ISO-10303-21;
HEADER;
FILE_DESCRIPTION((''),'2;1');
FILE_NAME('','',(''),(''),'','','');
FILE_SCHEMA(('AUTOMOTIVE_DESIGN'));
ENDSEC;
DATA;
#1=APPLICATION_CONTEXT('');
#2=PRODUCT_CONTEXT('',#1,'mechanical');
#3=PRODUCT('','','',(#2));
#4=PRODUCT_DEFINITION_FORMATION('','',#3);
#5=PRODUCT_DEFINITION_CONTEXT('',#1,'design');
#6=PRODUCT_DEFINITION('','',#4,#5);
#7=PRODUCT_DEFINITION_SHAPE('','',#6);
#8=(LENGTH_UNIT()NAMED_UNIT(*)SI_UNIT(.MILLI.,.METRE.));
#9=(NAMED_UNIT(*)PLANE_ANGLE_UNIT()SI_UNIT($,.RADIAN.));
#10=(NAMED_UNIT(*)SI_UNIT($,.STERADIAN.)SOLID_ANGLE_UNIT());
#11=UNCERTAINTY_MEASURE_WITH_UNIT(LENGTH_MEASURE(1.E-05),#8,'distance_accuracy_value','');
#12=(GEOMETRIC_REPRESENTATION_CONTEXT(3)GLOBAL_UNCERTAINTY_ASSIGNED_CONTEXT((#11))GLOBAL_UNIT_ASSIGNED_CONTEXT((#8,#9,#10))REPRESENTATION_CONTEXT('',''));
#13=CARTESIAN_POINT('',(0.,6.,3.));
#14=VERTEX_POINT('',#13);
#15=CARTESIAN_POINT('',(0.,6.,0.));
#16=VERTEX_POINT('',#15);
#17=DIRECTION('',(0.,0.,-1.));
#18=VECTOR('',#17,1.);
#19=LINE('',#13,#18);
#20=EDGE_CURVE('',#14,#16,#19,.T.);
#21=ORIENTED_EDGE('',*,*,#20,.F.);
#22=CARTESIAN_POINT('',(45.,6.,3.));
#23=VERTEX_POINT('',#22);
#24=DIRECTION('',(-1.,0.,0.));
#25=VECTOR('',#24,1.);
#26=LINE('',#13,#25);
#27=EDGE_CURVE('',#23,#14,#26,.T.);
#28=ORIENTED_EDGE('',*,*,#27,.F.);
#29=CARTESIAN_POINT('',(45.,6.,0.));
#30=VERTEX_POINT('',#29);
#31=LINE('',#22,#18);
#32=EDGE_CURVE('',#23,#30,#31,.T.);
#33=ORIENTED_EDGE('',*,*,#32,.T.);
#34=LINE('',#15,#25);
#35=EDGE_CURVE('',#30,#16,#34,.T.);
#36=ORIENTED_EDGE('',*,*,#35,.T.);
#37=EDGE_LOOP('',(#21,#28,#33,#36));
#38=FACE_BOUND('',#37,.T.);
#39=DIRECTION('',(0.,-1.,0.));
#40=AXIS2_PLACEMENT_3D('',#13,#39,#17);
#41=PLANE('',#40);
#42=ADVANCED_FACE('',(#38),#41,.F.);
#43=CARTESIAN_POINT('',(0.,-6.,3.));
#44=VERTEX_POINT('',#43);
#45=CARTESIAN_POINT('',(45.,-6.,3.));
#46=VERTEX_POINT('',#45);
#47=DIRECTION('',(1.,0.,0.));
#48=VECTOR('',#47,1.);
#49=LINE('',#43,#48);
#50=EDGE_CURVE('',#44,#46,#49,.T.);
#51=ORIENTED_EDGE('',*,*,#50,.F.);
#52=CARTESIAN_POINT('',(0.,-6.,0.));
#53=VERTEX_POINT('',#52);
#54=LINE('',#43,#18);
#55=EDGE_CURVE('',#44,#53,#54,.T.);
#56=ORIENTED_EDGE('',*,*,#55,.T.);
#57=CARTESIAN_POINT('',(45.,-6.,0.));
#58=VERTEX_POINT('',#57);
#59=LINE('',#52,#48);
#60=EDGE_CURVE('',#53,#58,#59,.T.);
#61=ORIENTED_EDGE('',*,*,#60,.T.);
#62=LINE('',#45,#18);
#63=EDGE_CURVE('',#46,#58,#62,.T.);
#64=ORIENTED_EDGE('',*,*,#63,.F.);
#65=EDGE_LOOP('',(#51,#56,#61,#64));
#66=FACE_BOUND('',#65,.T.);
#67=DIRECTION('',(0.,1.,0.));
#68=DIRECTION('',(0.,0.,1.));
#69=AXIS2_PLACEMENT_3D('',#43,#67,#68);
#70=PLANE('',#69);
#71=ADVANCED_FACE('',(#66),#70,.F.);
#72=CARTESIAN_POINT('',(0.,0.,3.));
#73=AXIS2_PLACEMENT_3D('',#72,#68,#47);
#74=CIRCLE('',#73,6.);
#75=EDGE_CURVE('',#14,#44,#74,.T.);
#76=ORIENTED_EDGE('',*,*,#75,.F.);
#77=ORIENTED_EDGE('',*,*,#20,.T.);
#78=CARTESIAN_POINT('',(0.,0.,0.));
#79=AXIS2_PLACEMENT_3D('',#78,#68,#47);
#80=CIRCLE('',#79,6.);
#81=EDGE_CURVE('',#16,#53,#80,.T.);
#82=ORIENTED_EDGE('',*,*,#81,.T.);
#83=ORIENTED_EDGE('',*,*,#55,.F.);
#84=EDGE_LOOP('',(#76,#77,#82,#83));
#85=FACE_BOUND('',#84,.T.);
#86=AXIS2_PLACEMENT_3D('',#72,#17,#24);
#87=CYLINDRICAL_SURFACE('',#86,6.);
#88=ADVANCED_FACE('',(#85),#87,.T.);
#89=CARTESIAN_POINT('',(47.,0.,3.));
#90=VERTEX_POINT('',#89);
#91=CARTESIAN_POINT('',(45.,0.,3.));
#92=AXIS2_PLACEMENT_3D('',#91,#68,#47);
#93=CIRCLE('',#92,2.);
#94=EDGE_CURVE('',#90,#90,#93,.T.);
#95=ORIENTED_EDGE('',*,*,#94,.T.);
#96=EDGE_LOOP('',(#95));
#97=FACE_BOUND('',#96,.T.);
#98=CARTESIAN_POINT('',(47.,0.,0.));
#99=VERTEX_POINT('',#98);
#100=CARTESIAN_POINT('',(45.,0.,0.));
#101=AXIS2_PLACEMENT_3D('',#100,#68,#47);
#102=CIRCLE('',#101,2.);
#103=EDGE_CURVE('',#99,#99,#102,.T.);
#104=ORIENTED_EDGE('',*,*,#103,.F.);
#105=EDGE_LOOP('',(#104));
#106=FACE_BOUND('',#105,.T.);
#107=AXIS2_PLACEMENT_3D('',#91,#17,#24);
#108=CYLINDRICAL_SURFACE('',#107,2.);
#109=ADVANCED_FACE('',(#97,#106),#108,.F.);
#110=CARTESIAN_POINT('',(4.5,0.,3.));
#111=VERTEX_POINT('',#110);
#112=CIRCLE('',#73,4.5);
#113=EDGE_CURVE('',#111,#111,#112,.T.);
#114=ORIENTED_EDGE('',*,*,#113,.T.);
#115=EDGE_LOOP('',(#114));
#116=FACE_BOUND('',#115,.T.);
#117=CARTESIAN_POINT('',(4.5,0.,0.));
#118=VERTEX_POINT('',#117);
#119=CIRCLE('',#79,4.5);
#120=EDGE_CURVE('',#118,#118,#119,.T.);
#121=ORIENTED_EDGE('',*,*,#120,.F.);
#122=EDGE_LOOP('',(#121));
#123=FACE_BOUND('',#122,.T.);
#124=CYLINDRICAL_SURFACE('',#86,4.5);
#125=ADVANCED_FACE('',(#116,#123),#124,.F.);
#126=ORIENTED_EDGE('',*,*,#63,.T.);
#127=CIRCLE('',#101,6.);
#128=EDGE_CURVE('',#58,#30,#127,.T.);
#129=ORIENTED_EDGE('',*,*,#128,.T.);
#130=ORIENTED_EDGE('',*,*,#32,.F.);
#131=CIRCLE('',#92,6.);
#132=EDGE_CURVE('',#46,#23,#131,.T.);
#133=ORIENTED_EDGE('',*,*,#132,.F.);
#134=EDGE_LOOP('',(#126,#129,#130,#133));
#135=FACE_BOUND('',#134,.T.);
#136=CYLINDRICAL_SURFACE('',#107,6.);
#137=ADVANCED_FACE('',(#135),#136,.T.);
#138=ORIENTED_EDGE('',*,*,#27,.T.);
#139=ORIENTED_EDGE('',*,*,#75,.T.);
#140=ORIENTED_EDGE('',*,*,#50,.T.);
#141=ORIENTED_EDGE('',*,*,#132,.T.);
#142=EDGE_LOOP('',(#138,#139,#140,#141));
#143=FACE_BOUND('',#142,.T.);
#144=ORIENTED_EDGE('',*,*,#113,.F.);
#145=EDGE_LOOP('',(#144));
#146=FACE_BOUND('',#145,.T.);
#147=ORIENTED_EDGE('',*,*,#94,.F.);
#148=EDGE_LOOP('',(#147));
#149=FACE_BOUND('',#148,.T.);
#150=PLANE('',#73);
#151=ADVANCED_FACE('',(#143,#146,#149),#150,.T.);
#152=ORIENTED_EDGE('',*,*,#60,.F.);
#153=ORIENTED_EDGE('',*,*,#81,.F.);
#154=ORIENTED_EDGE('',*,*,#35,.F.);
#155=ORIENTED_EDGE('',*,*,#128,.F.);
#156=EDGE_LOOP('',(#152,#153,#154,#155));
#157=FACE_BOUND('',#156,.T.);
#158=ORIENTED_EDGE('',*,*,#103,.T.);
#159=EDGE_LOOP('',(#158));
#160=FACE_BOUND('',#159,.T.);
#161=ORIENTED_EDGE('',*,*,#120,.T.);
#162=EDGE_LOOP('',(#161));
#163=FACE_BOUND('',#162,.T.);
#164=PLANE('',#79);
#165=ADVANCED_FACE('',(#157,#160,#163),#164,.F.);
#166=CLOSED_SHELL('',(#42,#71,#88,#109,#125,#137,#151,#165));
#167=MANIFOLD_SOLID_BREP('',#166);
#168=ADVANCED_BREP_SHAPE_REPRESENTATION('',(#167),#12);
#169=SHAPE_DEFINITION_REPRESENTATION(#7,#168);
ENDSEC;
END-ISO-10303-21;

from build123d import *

# Parameters (mm, degrees)
SKETCH_1_R      = 4.5
SKETCH_1_R_2    = 2
EXTRUDE_1_DEPTH = 3


with BuildPart() as part:
    # 草图1 → 凸台-拉伸1 (new body)
    with BuildSketch(Plane.XY):
        with BuildLine():
            Line((0, 6), (45, 6))
            ThreePointArc((45, 6), (51, 0), (45, -6))
            Line((45, -6), (0, -6))
            ThreePointArc((0, -6), (-6, 0), (0, 6))
        make_face()
        Circle(SKETCH_1_R, mode=Mode.SUBTRACT)
        with Locations((45, 0)):
            Circle(SKETCH_1_R_2, mode=Mode.SUBTRACT)
    extrude(amount=EXTRUDE_1_DEPTH)


solid = part.part
